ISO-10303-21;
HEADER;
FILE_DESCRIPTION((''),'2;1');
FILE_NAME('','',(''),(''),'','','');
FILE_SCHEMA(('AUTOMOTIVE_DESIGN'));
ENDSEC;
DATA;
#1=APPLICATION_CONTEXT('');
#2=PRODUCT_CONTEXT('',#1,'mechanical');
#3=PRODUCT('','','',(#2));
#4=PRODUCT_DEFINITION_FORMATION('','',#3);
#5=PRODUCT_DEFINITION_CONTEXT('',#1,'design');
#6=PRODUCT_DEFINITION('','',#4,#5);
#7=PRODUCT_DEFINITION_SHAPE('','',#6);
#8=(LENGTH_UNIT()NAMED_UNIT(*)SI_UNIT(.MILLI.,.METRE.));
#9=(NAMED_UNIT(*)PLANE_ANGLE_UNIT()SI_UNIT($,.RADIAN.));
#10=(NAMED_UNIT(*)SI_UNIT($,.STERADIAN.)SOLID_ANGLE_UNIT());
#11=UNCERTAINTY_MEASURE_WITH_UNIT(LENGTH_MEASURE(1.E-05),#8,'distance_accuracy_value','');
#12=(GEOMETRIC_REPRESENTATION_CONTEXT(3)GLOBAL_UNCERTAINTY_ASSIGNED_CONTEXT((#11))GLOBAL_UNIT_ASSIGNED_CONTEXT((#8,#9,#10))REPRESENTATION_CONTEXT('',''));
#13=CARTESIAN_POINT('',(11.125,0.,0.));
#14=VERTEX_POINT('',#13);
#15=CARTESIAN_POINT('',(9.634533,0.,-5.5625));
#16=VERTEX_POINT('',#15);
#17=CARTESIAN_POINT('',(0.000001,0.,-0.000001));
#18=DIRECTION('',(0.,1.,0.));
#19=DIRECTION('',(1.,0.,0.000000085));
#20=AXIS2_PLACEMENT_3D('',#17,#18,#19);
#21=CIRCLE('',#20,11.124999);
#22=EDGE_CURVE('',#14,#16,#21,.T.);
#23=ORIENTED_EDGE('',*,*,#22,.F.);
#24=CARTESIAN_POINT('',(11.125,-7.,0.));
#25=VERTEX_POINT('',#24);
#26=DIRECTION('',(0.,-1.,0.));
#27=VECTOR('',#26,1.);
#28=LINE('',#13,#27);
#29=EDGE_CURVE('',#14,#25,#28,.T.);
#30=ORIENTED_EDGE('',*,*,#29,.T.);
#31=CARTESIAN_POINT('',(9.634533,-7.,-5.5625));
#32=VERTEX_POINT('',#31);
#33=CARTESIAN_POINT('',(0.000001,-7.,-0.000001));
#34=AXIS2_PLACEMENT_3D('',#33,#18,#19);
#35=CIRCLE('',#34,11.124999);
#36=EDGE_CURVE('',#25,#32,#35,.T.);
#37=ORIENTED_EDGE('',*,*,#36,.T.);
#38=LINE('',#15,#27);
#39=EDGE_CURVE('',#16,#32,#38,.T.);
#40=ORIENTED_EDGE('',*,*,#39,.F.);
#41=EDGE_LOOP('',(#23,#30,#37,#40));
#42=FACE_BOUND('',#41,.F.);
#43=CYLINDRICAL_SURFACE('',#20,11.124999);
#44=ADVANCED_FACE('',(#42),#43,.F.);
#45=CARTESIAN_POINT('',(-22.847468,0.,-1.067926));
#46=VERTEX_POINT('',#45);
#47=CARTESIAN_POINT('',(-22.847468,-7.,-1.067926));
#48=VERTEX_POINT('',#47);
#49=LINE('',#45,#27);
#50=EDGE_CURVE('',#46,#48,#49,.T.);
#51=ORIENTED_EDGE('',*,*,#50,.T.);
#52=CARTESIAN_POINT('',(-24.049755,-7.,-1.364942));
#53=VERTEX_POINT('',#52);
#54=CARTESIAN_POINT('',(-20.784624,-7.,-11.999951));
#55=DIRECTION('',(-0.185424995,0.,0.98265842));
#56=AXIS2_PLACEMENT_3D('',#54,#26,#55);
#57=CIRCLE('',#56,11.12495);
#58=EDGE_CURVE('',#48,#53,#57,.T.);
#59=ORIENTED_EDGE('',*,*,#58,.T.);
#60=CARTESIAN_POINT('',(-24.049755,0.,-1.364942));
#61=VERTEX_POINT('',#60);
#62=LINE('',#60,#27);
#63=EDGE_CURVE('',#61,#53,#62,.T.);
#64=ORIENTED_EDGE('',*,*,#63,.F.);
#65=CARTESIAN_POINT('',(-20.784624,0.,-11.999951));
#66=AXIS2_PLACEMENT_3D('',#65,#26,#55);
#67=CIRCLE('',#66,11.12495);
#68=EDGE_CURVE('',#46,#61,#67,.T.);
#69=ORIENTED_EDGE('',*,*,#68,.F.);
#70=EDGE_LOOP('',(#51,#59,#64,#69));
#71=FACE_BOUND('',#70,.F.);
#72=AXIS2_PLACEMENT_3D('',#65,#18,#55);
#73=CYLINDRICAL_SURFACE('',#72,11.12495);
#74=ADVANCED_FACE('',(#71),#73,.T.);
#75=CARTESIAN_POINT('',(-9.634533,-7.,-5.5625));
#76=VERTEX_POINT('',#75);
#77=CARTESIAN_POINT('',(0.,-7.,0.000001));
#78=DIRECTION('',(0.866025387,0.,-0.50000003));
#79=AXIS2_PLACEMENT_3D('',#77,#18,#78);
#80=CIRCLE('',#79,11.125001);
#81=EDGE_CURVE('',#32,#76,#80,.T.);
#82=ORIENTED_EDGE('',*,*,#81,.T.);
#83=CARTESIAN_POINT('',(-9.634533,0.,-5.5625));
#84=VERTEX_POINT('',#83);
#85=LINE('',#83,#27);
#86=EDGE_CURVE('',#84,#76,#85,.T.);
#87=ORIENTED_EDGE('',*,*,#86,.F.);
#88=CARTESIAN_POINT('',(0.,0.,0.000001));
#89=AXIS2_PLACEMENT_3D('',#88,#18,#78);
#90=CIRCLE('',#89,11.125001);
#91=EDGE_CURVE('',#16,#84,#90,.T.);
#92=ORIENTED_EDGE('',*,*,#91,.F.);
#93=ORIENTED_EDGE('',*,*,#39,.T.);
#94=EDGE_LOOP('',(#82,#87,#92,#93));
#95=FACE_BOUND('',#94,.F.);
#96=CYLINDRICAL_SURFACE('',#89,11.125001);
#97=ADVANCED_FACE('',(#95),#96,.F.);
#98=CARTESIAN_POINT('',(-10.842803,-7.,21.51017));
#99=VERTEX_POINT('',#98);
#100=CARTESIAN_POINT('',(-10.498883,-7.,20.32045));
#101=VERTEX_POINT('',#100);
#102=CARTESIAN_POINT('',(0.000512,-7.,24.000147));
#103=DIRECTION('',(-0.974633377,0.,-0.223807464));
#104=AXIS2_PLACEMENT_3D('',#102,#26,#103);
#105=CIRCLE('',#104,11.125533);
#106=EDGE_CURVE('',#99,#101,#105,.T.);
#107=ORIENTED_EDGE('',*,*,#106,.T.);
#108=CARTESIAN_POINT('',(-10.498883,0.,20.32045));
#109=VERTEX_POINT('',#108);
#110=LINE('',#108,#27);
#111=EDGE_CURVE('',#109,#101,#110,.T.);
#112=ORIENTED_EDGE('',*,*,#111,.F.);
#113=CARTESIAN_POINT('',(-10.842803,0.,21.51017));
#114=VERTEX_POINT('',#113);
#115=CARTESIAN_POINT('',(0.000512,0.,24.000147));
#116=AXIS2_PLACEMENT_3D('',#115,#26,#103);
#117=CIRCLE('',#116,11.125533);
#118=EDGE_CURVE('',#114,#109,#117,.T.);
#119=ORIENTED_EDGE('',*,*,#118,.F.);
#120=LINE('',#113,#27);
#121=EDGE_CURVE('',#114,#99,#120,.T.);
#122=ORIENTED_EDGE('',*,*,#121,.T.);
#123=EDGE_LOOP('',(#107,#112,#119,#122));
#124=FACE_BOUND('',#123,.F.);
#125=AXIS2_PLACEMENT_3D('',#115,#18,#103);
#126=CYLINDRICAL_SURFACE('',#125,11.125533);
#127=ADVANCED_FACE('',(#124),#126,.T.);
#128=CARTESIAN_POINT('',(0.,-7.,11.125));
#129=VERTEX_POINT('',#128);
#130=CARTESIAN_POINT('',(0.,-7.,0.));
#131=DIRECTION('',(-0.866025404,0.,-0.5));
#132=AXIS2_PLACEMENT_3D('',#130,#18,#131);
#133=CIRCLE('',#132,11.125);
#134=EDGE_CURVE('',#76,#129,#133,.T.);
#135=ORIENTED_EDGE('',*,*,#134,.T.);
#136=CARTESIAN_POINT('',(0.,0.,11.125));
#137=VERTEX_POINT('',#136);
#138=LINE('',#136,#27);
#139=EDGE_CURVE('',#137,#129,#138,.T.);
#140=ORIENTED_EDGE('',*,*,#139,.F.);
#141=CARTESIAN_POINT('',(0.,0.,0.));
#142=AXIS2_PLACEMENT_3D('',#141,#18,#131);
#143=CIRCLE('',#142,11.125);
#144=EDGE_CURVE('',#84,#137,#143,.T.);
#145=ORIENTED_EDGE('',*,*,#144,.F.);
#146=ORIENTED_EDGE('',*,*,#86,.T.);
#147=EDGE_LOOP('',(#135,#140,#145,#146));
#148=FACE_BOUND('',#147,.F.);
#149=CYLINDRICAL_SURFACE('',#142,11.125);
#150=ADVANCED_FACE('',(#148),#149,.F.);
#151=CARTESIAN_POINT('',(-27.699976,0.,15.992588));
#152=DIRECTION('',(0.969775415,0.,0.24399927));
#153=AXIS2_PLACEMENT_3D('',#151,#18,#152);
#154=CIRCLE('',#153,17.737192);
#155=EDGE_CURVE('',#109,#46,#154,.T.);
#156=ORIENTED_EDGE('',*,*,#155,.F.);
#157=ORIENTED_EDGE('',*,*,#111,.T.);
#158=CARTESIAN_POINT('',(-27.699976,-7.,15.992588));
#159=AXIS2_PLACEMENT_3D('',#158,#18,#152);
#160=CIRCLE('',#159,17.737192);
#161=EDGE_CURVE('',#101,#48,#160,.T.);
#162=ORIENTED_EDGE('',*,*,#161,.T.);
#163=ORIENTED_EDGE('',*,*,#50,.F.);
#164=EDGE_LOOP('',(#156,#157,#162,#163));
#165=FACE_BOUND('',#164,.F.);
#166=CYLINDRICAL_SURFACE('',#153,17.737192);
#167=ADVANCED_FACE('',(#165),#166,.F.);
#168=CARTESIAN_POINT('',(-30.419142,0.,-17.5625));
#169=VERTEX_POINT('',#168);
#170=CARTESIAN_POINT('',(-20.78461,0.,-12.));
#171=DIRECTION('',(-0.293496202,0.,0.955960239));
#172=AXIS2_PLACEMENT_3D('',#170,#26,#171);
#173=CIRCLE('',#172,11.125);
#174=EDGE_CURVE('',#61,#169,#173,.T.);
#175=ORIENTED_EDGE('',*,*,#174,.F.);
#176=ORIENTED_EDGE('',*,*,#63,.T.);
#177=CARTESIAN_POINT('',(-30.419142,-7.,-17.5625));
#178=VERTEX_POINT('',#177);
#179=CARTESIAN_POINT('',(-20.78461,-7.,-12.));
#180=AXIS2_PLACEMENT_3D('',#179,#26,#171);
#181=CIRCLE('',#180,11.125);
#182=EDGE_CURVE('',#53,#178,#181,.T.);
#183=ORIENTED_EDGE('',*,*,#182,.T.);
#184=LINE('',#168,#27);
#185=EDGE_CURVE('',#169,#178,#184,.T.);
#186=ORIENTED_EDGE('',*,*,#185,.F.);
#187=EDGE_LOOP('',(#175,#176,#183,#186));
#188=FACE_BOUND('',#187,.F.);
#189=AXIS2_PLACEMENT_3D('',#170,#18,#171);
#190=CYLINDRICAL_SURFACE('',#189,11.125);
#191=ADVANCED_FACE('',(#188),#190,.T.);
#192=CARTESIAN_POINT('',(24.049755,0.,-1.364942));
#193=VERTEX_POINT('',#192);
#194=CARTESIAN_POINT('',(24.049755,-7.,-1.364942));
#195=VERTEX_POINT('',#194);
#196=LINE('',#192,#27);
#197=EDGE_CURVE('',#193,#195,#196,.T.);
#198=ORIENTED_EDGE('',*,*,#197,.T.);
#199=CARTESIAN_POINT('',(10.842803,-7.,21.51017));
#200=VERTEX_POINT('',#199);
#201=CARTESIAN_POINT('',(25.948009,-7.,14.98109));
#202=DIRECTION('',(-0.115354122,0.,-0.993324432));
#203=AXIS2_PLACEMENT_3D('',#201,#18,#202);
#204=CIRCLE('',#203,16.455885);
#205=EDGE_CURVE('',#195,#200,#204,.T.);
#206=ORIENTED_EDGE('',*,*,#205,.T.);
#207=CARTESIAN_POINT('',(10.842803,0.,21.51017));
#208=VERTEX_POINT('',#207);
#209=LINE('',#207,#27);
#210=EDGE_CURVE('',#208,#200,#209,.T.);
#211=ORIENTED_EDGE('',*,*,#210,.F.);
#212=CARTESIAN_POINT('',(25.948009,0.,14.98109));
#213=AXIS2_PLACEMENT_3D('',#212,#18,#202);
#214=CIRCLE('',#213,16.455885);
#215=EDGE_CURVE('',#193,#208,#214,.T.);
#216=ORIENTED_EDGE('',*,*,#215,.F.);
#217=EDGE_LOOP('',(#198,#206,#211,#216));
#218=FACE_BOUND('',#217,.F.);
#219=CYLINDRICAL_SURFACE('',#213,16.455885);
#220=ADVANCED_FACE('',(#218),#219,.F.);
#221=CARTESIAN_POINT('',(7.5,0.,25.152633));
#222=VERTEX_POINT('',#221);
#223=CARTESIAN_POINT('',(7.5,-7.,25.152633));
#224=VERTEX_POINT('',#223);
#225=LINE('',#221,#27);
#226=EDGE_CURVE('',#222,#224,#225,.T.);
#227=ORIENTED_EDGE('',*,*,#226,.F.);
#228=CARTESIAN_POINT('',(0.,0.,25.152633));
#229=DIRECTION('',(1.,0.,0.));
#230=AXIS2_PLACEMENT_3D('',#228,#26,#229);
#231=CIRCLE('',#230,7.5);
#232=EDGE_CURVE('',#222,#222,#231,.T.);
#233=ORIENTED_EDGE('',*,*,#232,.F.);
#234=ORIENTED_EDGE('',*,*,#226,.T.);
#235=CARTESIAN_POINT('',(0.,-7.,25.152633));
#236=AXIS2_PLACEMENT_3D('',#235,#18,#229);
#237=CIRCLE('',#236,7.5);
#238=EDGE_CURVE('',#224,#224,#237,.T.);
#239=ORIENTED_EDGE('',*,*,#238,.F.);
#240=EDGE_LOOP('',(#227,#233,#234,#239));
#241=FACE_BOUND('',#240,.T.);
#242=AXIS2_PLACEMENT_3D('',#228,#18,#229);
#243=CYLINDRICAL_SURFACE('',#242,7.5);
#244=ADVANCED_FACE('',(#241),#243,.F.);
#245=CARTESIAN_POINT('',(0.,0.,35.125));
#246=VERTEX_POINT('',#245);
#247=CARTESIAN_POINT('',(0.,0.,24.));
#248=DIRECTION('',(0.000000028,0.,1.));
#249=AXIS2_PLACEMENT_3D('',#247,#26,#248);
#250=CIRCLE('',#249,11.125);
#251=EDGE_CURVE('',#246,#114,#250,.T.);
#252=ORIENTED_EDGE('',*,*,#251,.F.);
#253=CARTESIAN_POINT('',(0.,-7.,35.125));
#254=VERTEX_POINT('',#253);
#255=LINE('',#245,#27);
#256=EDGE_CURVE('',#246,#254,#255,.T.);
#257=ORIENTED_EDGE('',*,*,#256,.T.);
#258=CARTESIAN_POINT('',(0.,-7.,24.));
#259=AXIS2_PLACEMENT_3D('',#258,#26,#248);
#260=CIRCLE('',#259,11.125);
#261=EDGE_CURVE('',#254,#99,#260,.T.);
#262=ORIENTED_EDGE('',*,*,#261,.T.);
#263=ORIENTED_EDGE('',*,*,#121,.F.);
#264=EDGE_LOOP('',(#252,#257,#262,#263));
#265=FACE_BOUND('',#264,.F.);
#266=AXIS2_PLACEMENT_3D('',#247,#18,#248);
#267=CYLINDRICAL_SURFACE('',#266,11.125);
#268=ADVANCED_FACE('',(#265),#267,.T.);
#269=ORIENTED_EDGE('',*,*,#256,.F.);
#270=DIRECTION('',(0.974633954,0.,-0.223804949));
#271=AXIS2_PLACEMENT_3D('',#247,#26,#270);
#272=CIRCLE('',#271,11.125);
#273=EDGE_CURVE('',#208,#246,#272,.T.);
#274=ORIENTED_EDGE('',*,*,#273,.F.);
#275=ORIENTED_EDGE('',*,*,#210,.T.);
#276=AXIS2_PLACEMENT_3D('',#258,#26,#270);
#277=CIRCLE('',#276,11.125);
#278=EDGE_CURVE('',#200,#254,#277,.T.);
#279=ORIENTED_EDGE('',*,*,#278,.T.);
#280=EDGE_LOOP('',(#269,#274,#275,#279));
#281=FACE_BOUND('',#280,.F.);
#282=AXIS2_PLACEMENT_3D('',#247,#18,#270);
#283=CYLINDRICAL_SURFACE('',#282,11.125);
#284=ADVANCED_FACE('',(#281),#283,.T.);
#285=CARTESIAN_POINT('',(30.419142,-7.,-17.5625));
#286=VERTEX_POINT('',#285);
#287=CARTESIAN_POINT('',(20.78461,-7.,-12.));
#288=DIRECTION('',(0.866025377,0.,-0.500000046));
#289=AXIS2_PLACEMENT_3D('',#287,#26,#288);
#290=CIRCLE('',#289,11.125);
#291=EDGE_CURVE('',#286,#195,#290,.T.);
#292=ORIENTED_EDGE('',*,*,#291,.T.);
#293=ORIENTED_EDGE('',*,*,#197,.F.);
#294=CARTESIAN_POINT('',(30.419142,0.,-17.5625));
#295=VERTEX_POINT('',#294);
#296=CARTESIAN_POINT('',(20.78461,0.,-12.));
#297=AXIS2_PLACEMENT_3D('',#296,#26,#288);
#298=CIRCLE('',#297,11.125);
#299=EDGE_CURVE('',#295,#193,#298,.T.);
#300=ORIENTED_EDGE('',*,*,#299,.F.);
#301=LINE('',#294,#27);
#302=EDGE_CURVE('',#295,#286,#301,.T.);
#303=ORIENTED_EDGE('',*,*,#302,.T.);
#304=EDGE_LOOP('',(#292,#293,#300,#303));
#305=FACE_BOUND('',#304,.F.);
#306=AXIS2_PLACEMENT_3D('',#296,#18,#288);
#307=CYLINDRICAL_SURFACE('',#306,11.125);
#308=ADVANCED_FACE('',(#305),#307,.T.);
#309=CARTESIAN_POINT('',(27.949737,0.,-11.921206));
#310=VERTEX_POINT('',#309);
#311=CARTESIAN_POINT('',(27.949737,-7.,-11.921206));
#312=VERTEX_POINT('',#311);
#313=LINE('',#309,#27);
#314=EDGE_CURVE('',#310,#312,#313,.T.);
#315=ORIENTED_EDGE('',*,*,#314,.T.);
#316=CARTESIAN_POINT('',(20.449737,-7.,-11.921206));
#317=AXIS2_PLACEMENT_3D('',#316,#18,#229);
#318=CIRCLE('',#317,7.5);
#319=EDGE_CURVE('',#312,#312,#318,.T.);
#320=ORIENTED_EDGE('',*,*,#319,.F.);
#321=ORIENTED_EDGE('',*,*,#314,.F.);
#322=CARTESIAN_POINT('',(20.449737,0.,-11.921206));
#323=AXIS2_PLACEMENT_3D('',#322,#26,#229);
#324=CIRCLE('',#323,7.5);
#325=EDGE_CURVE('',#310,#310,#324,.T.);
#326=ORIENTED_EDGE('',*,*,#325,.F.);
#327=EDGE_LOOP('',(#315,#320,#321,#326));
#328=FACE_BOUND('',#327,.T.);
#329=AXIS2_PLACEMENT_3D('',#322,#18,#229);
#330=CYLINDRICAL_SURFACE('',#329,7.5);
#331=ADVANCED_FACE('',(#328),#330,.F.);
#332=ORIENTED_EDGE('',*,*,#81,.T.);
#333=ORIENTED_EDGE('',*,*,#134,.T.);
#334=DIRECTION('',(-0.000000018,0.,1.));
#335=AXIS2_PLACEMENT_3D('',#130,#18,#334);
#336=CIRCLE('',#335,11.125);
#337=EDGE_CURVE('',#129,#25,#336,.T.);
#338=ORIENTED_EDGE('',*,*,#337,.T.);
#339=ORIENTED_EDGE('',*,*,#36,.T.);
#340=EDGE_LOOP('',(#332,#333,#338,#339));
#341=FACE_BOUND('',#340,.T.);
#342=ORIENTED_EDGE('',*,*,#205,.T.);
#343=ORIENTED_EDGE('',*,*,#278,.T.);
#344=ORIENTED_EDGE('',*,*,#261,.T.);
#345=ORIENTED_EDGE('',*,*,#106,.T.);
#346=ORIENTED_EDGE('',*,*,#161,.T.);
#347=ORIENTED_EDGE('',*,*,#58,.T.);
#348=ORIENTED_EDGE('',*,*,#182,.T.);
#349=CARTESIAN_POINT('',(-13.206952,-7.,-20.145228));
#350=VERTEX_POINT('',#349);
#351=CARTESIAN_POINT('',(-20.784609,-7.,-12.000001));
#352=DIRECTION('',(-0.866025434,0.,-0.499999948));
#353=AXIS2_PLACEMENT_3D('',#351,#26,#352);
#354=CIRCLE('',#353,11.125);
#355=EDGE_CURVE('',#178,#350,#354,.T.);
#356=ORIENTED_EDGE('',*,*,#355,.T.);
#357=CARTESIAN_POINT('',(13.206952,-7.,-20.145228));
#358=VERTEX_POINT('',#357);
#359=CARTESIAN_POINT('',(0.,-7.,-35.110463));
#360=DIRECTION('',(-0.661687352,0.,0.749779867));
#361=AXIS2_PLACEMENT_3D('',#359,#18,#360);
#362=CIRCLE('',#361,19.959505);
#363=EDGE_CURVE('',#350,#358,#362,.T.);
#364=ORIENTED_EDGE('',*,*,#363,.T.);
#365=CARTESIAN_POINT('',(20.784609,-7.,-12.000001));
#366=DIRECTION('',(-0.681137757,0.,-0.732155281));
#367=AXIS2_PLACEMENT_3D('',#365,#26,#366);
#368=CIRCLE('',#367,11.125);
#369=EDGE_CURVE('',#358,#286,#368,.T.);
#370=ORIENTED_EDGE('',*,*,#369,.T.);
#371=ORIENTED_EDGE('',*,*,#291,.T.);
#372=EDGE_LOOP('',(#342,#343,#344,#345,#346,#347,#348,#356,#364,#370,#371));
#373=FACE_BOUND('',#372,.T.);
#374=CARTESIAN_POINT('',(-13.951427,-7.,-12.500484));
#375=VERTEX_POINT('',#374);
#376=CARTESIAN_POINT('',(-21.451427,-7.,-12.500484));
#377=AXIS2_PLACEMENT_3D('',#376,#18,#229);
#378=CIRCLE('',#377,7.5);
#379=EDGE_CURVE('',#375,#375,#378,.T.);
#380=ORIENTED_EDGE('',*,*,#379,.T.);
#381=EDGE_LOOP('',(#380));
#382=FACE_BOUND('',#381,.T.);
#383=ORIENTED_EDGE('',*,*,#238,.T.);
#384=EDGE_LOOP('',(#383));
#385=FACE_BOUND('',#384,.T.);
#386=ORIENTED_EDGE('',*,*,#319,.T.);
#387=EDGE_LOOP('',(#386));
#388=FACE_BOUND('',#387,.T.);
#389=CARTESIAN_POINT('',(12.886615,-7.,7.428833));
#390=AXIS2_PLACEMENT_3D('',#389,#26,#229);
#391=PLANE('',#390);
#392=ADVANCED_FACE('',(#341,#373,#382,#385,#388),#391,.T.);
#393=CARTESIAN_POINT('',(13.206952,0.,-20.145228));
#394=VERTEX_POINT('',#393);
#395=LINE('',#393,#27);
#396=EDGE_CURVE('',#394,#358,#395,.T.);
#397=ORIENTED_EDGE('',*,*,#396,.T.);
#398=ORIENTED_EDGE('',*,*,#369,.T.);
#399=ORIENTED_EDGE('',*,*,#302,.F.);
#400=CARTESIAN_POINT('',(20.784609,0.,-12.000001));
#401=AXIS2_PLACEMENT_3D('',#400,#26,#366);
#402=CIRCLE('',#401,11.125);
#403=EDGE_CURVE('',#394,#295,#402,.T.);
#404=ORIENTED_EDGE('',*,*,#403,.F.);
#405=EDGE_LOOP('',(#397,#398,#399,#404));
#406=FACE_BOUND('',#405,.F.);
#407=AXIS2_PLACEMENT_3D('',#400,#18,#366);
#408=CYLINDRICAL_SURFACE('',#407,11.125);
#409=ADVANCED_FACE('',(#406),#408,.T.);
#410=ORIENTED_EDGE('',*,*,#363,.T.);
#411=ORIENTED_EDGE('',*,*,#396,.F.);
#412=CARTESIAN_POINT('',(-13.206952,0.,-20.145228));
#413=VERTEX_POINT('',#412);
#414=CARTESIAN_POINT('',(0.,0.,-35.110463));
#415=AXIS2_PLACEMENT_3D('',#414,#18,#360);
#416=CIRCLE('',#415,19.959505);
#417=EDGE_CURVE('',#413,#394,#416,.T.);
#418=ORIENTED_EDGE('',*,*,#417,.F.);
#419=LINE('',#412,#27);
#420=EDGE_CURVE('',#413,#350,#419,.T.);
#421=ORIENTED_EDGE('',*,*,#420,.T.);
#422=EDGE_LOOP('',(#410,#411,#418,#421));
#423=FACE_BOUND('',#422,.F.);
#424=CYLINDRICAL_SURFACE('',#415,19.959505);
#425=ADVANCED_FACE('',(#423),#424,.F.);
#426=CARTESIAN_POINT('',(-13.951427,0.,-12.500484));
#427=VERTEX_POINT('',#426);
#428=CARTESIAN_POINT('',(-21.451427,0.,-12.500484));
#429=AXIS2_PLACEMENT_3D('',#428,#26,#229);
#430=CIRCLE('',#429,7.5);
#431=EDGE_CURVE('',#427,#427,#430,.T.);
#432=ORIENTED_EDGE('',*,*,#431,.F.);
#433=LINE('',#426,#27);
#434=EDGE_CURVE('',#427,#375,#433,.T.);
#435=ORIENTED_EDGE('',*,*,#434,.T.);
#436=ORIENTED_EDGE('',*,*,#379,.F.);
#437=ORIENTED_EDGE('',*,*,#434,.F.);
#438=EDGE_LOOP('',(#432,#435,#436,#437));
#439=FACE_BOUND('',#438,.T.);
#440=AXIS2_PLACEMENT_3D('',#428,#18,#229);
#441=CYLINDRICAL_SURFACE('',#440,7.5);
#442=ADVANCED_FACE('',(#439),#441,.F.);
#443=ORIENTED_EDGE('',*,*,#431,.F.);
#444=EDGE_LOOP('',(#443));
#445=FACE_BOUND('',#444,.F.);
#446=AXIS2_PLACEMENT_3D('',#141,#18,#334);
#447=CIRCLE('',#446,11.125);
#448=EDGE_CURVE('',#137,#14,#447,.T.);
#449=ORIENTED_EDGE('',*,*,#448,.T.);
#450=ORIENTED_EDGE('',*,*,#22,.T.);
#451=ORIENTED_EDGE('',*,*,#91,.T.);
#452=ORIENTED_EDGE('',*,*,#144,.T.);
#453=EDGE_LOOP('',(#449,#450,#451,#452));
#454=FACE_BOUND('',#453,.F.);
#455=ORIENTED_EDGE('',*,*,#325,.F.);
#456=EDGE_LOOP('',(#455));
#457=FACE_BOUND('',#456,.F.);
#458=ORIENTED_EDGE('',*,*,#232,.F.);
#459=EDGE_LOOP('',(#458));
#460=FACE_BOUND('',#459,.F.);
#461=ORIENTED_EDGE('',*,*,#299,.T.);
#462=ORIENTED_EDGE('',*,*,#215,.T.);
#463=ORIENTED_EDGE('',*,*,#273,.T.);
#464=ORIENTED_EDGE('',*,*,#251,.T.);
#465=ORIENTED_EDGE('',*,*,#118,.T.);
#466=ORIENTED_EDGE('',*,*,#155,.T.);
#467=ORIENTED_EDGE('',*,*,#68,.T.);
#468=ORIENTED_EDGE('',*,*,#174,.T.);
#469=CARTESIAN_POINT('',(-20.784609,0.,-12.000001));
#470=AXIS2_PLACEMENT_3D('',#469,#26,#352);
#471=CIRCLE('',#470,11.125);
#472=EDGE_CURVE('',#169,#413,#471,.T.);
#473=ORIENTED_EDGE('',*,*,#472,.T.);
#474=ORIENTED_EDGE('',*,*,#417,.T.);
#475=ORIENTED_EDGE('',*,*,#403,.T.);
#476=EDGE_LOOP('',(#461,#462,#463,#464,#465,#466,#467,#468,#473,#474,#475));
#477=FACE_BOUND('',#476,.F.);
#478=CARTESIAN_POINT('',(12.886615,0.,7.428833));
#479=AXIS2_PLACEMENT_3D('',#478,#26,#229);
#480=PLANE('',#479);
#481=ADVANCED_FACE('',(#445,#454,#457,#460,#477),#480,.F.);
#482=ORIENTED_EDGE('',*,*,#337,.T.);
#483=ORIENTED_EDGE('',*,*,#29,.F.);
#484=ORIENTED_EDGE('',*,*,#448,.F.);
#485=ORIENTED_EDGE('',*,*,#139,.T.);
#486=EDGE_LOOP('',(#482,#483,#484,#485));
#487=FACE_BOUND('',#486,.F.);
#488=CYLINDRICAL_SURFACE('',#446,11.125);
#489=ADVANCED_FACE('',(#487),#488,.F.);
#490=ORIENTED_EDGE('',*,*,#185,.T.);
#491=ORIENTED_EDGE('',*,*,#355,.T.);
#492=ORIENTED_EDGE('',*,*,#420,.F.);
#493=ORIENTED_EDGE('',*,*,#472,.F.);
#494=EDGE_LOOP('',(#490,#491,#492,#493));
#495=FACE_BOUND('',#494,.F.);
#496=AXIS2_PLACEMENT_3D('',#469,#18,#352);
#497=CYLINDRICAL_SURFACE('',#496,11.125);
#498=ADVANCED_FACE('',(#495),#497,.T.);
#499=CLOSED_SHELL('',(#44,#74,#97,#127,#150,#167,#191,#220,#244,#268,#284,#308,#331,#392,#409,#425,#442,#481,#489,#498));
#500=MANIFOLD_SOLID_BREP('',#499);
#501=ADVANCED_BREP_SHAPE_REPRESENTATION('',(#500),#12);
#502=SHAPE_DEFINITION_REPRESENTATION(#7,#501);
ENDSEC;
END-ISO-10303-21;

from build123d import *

# Parameters (mm, degrees)
F1_DEPTH = 7
F2_R     = 7.5
F3_DEPTH = 47.6


with BuildPart() as f1:
    # F0 (on Front) → F1 (new body)
    with BuildSketch(Plane.XZ):
        with BuildLine():
            ThreePointArc((0, 11.125), (7.866563, 7.866563), (11.125, 0))
            ThreePointArc((11.125, 0), (10.745925, -2.879362), (9.634533, -5.5625))
            Line((9.634533, -5.5625), (30.419142, -17.5625))
            ThreePointArc((30.419142, -17.5625), (31.137901, -7.928761), (24.049755, -1.364942))
            ThreePointArc((24.049755, -1.364942), (11.696795, 6.753148), (10.842803, 21.51017))
            ThreePointArc((10.842803, 21.51017), (8.702442, 30.930594), (0, 35.125))
            Line((0, 35.125), (0, 11.125))
        make_face()
        with BuildLine():
            ThreePointArc((-9.634533, -5.5625), (-9.634533, 5.5625), (0, 11.125))
            Line((0, 11.125), (0, 35.125))
            ThreePointArc((0, 35.125), (-8.702442, 30.930594), (-10.842803, 21.51017))
            ThreePointArc((-10.842803, 21.51017), (-10.660456, 20.918313), (-10.498883, 20.32045))
            ThreePointArc((-10.498883, 20.32045), (-12.339117, 7.123992), (-22.847468, -1.067926))
            ThreePointArc((-22.847468, -1.067926), (-23.446018, -1.226931), (-24.049755, -1.364942))
            ThreePointArc((-24.049755, -1.364942), (-31.137901, -7.928761), (-30.419142, -17.5625))
            Line((-30.419142, -17.5625), (-9.634533, -5.5625))
        make_face()
        with BuildLine():
            Line((30.419142, -17.5625), (9.634533, -5.5625))
            ThreePointArc((9.634533, -5.5625), (0, -11.125), (-9.634533, -5.5625))
            Line((-9.634533, -5.5625), (-30.419142, -17.5625))
            ThreePointArc((-30.419142, -17.5625), (-22.435459, -23.001833), (-13.206952, -20.145228))
            ThreePointArc((-13.206952, -20.145228), (0, -15.150958), (13.206952, -20.145228))
            ThreePointArc((13.206952, -20.145228), (22.435459, -23.001833), (30.419142, -17.5625))
        make_face()
        with BuildLine():
            ThreePointArc((-10.498883, 20.32045), (-10.660456, 20.918313), (-10.842803, 21.51017))
            ThreePointArc((-10.842803, 21.51017), (-10.68741, 20.910521), (-10.498883, 20.32045))
        make_face()
        with BuildLine():
            ThreePointArc((-22.847468, -1.067926), (-23.452747, -1.199691), (-24.049755, -1.364942))
            ThreePointArc((-24.049755, -1.364942), (-23.446018, -1.226931), (-22.847468, -1.067926))
        make_face()
    extrude(amount=F1_DEPTH)

    # F2 (on Front) → F3 (cut)
    with BuildSketch(Plane.XZ):
        with Locations((20.449737, -11.921206)):
            Circle(F2_R)
        with Locations((-21.451427, -12.500484)):
            Circle(F2_R)
        with Locations((0, 25.152633)):
            Circle(F2_R)
    extrude(amount=F3_DEPTH, mode=Mode.SUBTRACT)


solid = f1.part
